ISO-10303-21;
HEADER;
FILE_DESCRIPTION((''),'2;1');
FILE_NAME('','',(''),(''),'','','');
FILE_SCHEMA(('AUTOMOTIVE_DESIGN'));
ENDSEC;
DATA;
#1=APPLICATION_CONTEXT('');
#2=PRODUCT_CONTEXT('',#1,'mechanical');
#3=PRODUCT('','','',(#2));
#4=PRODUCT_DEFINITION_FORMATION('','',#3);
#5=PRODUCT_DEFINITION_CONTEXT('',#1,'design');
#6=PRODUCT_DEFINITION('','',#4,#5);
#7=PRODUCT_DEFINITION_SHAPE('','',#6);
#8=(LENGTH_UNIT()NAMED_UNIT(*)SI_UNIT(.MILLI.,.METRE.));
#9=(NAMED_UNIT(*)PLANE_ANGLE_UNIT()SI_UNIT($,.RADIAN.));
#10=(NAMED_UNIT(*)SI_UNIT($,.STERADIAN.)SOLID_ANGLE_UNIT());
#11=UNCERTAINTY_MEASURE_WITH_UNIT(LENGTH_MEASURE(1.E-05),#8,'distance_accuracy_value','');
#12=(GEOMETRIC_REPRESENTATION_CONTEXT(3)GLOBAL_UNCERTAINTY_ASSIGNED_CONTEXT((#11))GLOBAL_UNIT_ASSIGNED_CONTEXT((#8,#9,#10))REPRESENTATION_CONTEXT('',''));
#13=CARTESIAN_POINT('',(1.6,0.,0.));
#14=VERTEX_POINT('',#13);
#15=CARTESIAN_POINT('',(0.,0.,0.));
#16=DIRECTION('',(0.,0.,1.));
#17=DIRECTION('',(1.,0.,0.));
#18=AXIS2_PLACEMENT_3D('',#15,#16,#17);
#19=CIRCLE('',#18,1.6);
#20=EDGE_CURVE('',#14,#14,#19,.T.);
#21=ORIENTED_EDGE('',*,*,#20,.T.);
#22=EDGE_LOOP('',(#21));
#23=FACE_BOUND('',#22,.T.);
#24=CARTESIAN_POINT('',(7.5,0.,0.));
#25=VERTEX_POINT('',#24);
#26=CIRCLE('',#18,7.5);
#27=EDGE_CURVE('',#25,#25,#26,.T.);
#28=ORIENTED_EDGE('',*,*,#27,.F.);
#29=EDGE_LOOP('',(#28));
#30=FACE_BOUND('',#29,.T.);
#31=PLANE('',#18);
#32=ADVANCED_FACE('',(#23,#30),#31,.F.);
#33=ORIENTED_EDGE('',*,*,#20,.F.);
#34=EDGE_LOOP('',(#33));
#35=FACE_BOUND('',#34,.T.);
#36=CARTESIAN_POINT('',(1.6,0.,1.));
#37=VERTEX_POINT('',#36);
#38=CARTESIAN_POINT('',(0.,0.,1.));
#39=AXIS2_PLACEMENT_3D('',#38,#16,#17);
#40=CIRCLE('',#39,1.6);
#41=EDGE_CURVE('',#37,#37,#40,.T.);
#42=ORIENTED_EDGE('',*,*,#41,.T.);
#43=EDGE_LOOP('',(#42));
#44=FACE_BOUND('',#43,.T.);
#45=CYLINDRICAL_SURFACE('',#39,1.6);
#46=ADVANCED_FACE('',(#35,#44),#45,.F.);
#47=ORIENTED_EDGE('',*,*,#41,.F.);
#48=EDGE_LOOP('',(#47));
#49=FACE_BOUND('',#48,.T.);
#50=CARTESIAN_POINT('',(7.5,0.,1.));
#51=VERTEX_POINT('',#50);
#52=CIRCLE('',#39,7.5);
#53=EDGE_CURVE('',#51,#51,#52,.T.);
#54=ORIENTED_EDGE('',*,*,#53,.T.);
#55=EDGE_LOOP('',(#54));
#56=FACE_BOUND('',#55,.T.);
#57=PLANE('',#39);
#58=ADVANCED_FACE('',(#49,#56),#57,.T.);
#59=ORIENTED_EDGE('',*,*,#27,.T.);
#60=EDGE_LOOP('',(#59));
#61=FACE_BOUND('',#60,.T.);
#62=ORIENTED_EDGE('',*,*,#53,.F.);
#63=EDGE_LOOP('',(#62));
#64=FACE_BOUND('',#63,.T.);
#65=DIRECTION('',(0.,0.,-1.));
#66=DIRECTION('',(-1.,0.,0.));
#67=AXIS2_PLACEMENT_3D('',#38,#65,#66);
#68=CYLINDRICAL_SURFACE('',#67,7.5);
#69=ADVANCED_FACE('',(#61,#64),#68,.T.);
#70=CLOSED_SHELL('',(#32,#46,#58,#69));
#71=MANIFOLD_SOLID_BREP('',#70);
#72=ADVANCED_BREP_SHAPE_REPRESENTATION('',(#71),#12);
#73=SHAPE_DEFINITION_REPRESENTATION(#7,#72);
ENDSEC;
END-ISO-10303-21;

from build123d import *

# Parameters (mm, degrees)
SKETCH1_R                = 7.5
BOSS_EXTRUDE1_DEPTH      = 1
M3_CLEARANCE_HOLE1_D     = 3.2
M3_CLEARANCE_HOLE1_DEPTH = 10
M3_CLEARANCE_HOLE1_TIP   = 0.96137699


with BuildPart() as part:
    # Sketch1 → Boss-Extrude1 (new body)
    with BuildSketch(Plane.XY):
        Circle(SKETCH1_R)
    extrude(amount=BOSS_EXTRUDE1_DEPTH)

    # M3 Clearance Hole1
    with Locations(Plane.XY.offset(1)):
        with Locations((0, 0)):
            Hole(M3_CLEARANCE_HOLE1_D / 2, depth=M3_CLEARANCE_HOLE1_DEPTH)
            with Locations((0, 0, -(M3_CLEARANCE_HOLE1_DEPTH + M3_CLEARANCE_HOLE1_TIP / 2))):  # 118° drill point
                Cone(0, M3_CLEARANCE_HOLE1_D / 2, M3_CLEARANCE_HOLE1_TIP, mode=Mode.SUBTRACT)


solid = part.part
